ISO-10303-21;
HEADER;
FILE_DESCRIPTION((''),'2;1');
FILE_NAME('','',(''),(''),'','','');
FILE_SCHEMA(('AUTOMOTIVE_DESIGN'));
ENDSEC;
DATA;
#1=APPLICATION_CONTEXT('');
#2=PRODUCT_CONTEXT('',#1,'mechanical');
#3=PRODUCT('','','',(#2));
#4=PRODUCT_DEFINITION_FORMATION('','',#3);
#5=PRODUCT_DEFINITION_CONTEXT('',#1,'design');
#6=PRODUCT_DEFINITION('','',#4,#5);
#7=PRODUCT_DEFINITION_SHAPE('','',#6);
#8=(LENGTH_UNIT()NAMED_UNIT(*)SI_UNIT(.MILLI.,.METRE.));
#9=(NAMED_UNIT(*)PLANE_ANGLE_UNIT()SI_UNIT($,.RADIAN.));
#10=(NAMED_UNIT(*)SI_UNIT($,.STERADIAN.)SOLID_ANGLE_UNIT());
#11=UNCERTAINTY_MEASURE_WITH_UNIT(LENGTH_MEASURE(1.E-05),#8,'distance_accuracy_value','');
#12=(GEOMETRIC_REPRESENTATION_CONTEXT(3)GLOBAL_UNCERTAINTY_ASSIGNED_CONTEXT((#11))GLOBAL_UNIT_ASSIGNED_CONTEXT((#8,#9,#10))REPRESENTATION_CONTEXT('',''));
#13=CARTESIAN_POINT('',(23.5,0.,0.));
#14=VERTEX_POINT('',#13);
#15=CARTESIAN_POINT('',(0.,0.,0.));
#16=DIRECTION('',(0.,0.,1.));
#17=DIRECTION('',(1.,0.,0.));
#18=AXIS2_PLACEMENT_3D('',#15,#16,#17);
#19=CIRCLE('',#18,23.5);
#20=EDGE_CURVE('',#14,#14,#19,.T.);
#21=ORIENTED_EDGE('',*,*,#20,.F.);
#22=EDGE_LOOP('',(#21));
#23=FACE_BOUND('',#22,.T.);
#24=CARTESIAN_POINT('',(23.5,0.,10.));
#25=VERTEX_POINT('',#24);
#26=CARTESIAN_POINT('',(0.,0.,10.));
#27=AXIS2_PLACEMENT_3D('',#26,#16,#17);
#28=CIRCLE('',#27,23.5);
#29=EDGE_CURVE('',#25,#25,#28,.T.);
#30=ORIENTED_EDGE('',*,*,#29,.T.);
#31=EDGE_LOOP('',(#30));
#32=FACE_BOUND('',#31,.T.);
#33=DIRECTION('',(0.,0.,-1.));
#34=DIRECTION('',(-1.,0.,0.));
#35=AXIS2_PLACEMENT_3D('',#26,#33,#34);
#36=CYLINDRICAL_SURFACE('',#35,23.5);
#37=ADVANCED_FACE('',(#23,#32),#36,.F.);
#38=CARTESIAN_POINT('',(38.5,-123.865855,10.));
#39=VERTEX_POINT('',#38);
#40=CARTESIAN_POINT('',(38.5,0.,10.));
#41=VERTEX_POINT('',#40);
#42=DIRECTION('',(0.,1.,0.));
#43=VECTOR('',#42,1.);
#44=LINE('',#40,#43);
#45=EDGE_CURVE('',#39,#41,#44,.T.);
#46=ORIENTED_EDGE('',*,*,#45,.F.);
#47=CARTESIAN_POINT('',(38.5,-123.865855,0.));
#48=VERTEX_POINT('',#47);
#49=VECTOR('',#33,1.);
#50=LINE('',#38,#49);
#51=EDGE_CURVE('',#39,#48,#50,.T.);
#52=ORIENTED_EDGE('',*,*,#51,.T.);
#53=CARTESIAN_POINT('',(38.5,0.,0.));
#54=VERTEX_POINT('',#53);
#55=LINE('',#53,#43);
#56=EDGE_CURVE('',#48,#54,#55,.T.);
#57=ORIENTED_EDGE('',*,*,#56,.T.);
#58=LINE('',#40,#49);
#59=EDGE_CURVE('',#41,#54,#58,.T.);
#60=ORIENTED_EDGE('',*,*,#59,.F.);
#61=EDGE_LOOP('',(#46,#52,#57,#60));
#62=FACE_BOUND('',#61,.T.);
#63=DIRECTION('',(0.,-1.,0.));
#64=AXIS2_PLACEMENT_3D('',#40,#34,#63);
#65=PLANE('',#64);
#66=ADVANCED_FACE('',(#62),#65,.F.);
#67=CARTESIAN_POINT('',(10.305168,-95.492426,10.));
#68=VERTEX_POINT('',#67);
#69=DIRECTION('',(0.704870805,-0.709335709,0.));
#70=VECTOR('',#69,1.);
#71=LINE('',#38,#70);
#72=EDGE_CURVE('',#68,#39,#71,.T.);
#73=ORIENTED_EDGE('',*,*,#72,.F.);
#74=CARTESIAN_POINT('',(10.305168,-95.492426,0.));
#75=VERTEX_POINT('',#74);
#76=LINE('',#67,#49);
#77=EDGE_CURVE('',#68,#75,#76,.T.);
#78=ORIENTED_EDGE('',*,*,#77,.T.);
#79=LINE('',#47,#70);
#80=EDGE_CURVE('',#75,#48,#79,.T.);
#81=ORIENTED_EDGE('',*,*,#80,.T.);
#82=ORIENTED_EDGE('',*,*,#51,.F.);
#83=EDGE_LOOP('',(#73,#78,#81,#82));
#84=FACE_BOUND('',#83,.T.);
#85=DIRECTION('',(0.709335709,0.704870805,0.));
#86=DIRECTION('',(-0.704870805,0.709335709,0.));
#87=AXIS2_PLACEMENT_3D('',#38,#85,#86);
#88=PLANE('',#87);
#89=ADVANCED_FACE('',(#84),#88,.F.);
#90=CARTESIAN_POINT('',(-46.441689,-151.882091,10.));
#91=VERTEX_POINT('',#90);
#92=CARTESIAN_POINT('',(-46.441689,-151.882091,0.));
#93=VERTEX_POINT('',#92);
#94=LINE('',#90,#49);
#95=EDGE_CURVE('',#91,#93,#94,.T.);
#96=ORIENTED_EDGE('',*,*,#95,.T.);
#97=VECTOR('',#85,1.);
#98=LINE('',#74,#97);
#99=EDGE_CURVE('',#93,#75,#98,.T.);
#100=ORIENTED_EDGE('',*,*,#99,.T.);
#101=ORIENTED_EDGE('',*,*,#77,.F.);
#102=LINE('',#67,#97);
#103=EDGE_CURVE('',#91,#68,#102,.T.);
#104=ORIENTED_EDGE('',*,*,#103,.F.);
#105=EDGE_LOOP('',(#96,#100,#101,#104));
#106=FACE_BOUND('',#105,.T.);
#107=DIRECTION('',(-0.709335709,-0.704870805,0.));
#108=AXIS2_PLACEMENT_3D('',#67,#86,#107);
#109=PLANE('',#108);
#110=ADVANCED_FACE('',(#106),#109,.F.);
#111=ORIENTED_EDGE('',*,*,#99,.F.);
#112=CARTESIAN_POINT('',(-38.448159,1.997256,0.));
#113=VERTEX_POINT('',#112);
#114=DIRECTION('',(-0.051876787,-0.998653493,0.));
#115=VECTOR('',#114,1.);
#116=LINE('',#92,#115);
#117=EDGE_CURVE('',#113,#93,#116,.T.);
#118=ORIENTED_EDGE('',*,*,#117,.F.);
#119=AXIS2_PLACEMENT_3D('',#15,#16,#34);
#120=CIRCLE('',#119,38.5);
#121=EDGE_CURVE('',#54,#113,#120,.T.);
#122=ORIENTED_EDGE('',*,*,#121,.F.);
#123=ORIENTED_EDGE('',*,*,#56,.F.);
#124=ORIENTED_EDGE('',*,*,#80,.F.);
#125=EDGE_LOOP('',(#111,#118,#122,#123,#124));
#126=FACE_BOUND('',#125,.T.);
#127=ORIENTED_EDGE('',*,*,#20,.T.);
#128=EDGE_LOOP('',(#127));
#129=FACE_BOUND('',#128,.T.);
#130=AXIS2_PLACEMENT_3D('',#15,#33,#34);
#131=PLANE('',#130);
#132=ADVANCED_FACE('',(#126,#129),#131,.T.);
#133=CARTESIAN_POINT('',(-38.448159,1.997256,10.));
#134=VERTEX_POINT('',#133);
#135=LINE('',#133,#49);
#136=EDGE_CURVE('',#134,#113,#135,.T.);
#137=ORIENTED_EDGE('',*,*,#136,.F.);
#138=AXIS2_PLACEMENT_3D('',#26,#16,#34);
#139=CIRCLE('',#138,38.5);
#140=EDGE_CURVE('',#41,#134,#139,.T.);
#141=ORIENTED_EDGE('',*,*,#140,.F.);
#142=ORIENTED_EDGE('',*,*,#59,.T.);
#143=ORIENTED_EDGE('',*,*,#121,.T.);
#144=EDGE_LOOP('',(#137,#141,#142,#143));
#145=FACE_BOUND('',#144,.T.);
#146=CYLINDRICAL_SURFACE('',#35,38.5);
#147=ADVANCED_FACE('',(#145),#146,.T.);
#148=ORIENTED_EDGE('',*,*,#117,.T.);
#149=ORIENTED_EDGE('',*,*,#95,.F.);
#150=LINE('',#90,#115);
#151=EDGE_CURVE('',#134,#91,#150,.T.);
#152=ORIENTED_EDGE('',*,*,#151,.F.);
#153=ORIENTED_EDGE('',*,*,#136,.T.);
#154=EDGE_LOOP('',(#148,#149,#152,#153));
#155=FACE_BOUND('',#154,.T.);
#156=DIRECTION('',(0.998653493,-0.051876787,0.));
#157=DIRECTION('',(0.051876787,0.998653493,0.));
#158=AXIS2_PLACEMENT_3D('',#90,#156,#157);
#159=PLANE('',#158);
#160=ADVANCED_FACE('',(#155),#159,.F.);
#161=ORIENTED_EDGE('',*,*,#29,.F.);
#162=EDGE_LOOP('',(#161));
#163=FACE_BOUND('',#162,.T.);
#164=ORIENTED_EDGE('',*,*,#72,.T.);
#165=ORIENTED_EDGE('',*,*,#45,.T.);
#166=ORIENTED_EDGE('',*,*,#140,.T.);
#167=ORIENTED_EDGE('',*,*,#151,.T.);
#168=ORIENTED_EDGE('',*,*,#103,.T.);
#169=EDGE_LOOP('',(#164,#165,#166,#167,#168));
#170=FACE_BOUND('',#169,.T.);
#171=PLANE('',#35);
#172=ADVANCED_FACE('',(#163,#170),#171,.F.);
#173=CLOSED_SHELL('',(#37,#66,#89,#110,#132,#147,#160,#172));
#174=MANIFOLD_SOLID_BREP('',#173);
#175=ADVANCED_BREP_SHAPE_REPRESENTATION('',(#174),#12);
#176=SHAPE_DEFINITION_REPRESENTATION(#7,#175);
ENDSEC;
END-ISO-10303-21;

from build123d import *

# Parameters (mm, degrees)
ESQUISSE1_R        = 23.5
BOSS_EXTRU_1_DEPTH = 10


with BuildPart() as part:
    # Esquisse1 → Boss.-Extru.1 (new body)
    with BuildSketch(Plane.XY):
        with BuildLine():
            Line((38.5, 0), (38.5, -123.865854859))
            Line((38.5, -123.865854859), (10.305167806, -95.492426488))
            Line((10.305167806, -95.492426488), (-46.441688937, -151.882090875))
            Line((-46.441688937, -151.882090875), (-38.448159478, 1.997256299))
            ThreePointArc((-38.448159478, 1.997256299), (0.998964484, 38.487037688), (38.5, 0))
        make_face()
        Circle(ESQUISSE1_R, mode=Mode.SUBTRACT)
    extrude(amount=BOSS_EXTRU_1_DEPTH)


solid = part.part
